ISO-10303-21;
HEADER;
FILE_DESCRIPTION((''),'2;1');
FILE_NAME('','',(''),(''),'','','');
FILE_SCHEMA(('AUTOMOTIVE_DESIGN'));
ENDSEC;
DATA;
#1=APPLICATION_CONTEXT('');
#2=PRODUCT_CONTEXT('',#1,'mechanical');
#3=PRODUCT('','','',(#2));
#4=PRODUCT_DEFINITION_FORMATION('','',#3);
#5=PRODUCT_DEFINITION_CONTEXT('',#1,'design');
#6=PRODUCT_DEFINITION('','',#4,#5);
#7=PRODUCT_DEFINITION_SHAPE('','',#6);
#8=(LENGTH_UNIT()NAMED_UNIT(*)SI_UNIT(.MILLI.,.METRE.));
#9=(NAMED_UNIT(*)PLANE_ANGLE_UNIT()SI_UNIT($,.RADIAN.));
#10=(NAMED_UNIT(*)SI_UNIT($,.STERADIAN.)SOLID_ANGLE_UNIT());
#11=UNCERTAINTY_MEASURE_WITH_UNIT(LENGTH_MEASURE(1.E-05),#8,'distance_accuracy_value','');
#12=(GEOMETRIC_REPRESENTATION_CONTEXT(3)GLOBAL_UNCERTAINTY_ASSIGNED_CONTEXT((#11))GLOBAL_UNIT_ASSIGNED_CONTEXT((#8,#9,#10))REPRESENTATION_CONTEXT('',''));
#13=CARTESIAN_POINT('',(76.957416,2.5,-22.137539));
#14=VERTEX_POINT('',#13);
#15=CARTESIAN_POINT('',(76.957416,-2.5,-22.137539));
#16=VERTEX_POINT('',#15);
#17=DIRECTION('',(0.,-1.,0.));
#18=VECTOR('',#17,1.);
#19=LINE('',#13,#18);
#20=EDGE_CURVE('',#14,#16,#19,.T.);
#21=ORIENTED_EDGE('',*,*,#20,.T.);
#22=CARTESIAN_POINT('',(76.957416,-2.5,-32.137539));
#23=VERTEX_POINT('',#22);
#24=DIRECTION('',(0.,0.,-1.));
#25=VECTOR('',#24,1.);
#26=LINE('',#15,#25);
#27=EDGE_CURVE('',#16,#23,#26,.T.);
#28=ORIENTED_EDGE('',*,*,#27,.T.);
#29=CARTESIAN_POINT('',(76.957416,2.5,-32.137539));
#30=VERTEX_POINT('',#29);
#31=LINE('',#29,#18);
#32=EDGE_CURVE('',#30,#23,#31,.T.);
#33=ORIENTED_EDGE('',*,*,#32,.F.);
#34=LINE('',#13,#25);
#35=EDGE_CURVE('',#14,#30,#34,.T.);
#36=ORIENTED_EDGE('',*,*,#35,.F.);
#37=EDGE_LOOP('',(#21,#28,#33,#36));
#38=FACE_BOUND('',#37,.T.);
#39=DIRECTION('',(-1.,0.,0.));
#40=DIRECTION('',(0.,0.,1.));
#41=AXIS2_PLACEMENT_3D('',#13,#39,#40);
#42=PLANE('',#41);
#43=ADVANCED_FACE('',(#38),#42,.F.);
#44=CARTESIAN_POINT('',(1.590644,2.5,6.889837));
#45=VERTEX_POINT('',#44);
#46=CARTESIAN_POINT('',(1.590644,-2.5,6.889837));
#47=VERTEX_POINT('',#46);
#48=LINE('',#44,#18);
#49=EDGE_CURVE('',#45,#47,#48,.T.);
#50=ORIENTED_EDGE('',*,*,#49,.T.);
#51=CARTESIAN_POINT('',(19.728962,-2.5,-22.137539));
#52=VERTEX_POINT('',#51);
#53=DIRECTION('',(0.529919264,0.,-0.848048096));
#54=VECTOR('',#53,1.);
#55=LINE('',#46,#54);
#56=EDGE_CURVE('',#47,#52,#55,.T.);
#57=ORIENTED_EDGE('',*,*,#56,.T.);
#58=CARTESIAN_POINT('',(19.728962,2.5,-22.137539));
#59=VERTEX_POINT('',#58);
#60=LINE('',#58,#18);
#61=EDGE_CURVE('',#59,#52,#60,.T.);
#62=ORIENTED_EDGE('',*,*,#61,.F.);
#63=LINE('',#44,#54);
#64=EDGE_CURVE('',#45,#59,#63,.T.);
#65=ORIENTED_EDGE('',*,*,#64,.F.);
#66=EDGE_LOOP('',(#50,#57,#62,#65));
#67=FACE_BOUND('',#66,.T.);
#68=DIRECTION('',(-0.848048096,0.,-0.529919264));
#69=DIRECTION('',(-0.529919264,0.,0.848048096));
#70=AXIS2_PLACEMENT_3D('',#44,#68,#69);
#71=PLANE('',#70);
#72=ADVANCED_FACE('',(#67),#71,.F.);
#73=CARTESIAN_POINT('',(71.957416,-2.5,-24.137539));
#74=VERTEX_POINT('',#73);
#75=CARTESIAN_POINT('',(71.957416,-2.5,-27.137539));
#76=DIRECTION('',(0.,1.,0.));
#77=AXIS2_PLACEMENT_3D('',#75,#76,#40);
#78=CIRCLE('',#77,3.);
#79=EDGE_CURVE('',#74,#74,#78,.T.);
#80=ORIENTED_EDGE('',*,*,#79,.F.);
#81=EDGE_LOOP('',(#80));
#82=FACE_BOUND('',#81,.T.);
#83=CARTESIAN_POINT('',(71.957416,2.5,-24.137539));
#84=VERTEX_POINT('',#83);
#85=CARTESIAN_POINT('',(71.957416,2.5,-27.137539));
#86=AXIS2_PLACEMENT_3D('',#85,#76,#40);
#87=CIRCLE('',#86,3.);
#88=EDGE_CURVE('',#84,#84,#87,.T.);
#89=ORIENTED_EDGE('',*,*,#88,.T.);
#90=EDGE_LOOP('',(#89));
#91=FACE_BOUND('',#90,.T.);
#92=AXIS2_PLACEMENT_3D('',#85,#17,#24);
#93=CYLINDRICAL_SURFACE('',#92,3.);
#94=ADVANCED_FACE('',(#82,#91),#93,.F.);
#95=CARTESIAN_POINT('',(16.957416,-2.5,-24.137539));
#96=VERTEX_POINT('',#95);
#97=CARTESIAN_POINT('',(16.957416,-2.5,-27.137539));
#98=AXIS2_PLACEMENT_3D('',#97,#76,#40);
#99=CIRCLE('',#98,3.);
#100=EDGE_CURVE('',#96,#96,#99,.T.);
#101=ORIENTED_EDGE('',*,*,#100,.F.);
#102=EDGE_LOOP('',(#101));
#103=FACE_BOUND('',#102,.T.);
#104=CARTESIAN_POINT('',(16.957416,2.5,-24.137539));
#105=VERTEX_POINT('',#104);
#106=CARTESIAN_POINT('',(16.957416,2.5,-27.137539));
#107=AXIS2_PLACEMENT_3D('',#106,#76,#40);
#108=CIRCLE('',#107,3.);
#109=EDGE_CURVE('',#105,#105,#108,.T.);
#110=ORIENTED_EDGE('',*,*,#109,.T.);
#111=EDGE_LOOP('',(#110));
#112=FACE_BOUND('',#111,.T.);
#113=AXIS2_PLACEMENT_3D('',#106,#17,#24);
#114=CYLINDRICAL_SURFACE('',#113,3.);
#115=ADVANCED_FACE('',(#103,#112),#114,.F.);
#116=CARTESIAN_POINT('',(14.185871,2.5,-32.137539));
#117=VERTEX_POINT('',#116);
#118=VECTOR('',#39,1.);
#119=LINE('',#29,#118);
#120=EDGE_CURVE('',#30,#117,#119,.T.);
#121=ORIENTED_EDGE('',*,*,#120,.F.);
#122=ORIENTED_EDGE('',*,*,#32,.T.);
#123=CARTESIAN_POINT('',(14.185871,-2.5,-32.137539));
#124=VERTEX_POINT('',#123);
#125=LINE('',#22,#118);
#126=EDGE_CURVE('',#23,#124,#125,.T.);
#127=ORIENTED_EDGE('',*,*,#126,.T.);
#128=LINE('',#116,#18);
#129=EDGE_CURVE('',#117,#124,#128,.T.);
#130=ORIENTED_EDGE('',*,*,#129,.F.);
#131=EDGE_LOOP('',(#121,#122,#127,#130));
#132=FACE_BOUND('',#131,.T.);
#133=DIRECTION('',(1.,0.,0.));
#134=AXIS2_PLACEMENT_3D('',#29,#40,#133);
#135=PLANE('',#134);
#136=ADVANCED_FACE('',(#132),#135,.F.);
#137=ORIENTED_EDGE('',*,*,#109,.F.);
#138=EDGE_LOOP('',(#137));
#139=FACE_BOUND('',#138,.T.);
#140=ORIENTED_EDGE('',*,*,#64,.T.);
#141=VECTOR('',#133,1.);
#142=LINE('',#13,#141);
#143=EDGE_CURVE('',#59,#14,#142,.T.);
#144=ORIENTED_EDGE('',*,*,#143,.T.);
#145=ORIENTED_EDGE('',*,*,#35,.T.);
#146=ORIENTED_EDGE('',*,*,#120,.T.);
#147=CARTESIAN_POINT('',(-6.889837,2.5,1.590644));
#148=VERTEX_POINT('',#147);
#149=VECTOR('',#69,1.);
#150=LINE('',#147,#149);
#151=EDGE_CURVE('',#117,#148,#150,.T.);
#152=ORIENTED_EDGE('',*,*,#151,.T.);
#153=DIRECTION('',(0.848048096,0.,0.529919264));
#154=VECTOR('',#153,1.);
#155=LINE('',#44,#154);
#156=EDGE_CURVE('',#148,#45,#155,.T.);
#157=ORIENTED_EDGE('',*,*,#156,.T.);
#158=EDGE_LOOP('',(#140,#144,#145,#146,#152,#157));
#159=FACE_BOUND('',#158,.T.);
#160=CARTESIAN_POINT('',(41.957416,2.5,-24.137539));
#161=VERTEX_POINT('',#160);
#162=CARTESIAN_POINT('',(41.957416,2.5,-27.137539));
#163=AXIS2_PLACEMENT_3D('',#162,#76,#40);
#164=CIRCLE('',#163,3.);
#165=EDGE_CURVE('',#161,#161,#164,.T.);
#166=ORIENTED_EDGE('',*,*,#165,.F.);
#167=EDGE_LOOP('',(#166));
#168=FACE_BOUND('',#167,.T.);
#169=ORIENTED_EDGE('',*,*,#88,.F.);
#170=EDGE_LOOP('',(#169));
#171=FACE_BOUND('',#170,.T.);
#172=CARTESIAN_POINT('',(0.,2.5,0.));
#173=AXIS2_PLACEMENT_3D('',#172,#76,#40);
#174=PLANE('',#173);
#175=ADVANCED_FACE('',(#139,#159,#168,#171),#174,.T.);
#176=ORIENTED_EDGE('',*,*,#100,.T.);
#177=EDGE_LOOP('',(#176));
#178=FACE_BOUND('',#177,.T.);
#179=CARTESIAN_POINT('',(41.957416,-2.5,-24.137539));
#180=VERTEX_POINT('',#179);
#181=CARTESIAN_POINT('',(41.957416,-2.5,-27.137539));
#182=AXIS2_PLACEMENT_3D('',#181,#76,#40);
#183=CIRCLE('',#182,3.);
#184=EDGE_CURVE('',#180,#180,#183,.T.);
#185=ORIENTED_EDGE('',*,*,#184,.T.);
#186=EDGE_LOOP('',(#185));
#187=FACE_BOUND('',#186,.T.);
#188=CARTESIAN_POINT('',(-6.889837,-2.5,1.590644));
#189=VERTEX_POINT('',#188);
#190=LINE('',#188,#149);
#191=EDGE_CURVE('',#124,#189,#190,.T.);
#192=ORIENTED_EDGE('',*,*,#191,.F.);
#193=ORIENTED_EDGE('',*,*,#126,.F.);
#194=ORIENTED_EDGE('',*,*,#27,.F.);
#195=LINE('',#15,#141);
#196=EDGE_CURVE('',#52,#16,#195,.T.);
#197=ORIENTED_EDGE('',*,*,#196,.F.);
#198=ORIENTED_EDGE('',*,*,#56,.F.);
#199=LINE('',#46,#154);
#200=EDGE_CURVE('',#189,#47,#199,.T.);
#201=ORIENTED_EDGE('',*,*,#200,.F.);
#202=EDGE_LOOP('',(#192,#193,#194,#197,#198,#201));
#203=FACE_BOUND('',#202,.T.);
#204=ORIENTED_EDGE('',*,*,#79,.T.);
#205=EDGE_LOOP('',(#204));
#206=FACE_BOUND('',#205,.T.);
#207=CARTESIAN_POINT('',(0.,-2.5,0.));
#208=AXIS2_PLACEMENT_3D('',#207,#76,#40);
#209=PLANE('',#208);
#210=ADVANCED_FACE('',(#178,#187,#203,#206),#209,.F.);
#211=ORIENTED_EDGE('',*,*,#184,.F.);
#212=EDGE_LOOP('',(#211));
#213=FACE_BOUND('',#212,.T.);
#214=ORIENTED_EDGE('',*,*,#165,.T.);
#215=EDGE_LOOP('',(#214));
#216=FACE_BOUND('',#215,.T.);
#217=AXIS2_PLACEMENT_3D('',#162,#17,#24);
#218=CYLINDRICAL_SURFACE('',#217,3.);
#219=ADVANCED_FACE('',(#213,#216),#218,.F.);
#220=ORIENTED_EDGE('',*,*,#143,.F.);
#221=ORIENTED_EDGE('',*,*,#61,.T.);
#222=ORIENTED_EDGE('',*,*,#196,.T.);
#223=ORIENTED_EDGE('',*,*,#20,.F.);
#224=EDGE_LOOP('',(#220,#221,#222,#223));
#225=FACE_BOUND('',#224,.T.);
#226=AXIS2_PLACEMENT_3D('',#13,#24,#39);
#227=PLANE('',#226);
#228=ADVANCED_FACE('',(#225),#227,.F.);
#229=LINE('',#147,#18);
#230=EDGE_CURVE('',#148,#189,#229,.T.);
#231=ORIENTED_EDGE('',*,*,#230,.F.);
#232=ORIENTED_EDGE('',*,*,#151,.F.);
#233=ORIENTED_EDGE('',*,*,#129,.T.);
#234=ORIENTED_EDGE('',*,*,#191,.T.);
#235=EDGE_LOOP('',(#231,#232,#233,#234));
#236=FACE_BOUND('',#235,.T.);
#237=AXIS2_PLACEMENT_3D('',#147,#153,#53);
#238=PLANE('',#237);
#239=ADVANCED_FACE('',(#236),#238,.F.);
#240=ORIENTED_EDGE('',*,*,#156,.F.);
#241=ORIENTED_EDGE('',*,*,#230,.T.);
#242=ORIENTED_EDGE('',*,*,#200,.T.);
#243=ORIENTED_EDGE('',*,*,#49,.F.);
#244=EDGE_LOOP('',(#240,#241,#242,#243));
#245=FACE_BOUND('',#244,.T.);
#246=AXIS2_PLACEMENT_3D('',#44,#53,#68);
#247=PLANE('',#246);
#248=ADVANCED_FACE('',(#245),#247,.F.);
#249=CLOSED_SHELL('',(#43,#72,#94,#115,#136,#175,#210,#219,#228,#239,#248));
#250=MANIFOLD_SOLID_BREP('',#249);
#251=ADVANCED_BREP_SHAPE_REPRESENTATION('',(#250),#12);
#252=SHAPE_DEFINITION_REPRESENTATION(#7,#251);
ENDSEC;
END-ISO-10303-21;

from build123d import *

# Parameters (mm, degrees)
SKETCH1_R           = 3
BOSS_EXTRUDE2_DEPTH = 2.5


with BuildPart() as part:
    # Sketch1 → Boss-Extrude2 (new, symmetric)
    with BuildSketch(Plane(origin=(0, 0, 0), x_dir=(1, 0, 0), z_dir=(0, 1, 0))):
        Polygon((1.59064416, -6.889836802), (-6.889836802, -1.59064416), (14.185871198, 32.137539077), (76.957416455, 32.137539077), (76.957416455, 22.137539077), (19.728961713, 22.137539077), align=None)
        with Locations(Location((16.957416455, 27.137539077, 0), (0, 0, 270))):
            Circle(SKETCH1_R, mode=Mode.SUBTRACT)
        with Locations(Location((71.957416455, 27.137539077, 0), (0, 0, 270))):
            Circle(SKETCH1_R, mode=Mode.SUBTRACT)
        with Locations(Location((41.957416455, 27.137539077, 0), (0, 0, 270))):
            Circle(SKETCH1_R, mode=Mode.SUBTRACT)
    extrude(amount=BOSS_EXTRUDE2_DEPTH, both=True)


solid = part.part
